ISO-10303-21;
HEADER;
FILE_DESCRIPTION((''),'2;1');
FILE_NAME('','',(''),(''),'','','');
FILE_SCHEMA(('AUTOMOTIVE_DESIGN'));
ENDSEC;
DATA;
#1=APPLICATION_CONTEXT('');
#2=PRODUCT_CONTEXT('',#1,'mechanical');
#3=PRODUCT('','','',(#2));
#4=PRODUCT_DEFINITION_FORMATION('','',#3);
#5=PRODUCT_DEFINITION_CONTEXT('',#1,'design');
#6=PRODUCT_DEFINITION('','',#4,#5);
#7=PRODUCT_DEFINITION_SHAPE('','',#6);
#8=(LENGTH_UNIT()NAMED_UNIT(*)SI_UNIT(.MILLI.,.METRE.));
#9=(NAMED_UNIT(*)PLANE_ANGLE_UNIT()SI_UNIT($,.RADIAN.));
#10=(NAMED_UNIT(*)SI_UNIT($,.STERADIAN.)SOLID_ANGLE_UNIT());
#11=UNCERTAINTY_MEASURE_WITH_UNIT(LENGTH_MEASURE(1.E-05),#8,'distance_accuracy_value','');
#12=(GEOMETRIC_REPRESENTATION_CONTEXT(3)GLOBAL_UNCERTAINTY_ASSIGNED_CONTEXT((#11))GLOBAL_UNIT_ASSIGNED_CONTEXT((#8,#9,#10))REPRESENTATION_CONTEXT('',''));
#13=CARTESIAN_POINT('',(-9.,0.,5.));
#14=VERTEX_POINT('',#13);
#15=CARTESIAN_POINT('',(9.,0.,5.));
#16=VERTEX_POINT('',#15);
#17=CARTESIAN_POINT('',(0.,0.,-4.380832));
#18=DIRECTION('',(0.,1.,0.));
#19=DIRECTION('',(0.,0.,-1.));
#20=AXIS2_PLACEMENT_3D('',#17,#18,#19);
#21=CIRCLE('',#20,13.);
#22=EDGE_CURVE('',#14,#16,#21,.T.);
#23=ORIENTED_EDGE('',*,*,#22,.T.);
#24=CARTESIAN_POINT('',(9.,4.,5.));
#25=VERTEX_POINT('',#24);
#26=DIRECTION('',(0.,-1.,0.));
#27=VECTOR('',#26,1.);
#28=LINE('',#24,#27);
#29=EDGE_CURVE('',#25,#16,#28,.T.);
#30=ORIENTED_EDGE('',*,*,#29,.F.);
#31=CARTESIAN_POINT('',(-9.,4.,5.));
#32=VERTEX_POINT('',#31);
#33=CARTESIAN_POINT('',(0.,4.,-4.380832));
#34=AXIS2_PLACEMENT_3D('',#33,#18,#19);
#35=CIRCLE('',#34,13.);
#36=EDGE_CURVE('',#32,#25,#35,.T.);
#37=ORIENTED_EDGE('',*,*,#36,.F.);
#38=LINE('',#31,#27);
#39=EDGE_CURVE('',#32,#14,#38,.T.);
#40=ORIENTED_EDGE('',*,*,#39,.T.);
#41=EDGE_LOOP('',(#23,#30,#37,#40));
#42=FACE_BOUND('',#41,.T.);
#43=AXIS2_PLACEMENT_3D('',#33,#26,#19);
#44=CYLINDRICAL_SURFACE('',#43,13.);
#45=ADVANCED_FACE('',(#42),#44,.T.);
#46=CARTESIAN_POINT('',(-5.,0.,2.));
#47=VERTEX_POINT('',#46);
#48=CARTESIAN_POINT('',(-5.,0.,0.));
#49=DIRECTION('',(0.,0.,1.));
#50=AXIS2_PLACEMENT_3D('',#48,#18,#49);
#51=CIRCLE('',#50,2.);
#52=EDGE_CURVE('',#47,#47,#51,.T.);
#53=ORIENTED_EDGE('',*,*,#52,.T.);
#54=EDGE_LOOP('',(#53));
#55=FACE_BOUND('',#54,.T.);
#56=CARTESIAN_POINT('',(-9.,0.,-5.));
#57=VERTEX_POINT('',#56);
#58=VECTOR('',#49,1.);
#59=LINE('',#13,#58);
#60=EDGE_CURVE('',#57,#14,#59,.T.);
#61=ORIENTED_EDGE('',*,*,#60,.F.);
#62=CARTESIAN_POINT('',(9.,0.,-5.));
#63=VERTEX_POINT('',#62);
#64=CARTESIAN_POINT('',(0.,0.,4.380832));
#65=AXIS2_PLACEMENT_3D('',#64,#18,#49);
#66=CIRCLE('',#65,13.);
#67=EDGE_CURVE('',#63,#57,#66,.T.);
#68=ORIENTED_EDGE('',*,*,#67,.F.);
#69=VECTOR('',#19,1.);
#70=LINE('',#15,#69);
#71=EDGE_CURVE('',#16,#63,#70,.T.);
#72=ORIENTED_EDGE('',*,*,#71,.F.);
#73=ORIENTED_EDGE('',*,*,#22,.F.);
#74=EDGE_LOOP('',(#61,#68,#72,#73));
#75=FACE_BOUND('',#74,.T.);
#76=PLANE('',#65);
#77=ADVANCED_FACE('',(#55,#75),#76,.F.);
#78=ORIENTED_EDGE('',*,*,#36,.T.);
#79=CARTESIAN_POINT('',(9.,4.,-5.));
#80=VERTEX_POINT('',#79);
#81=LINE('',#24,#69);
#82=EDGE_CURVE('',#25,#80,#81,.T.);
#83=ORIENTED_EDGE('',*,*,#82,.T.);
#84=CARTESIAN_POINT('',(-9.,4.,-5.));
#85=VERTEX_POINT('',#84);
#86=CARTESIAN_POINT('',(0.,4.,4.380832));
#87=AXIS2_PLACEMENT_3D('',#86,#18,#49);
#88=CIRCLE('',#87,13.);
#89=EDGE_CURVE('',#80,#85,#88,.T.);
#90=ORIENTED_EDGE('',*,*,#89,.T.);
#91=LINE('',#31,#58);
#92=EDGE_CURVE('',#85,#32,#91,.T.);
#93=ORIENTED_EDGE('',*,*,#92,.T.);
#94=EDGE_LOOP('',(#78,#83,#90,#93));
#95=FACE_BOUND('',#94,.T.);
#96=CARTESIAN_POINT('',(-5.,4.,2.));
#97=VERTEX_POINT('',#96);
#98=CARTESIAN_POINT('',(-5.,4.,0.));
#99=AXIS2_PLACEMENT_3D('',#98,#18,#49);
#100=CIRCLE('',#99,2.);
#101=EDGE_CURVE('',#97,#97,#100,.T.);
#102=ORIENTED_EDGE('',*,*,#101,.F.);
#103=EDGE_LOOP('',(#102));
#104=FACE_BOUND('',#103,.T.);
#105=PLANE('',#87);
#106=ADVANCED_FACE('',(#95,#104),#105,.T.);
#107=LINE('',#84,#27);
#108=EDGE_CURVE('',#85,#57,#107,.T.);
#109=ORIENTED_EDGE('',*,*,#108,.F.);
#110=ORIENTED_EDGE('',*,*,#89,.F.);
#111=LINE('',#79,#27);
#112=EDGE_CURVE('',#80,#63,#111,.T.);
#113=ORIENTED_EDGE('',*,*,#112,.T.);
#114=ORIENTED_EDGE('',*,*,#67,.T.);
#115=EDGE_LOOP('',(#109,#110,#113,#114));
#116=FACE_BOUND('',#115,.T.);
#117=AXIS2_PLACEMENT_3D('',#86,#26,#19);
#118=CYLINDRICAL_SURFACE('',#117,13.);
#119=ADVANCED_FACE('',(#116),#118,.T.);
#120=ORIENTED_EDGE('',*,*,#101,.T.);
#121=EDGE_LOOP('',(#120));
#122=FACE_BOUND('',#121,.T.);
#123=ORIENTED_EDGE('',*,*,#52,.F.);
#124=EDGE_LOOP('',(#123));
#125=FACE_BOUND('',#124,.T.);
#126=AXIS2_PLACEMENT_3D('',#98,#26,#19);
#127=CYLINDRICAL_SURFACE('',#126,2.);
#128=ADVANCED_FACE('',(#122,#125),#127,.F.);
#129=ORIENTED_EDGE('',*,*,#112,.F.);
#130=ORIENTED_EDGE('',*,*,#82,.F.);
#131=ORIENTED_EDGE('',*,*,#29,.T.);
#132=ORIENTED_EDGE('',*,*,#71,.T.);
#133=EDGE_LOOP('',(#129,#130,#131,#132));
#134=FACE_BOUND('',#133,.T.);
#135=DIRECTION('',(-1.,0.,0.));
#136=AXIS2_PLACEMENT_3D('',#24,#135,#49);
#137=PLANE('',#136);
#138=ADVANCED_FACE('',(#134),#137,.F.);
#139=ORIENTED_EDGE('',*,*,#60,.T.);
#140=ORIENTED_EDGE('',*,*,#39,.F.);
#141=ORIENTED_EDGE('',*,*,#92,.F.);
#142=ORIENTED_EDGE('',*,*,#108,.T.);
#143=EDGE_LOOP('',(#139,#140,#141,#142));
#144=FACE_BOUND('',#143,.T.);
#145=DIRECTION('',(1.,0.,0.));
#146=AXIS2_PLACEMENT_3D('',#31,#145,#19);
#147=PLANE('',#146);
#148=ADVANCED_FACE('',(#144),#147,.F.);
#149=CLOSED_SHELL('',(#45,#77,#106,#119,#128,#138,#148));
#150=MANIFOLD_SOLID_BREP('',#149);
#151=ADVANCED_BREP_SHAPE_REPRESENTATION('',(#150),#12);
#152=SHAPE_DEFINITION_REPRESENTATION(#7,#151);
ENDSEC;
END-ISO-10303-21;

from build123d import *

# Parameters (mm, degrees)
SKETCH1_R           = 2
BOSS_EXTRUDE1_DEPTH = 4


with BuildPart() as part:
    # Sketch1 → Boss-Extrude1 (new body)
    with BuildSketch(Plane(origin=(0, 0, 0), x_dir=(1, 0, 0), z_dir=(0, 1, 0))):
        with BuildLine():
            Line((9, -5), (9, 5))
            ThreePointArc((9, 5), (0, 8.61916848), (-9, 5))
            Line((-9, 5), (-9, -5))
            ThreePointArc((-9, -5), (0, -8.61916848), (9, -5))
        make_face()
        with Locations((-5, 0)):
            Circle(SKETCH1_R, mode=Mode.SUBTRACT)
    extrude(amount=BOSS_EXTRUDE1_DEPTH)


solid = part.part
